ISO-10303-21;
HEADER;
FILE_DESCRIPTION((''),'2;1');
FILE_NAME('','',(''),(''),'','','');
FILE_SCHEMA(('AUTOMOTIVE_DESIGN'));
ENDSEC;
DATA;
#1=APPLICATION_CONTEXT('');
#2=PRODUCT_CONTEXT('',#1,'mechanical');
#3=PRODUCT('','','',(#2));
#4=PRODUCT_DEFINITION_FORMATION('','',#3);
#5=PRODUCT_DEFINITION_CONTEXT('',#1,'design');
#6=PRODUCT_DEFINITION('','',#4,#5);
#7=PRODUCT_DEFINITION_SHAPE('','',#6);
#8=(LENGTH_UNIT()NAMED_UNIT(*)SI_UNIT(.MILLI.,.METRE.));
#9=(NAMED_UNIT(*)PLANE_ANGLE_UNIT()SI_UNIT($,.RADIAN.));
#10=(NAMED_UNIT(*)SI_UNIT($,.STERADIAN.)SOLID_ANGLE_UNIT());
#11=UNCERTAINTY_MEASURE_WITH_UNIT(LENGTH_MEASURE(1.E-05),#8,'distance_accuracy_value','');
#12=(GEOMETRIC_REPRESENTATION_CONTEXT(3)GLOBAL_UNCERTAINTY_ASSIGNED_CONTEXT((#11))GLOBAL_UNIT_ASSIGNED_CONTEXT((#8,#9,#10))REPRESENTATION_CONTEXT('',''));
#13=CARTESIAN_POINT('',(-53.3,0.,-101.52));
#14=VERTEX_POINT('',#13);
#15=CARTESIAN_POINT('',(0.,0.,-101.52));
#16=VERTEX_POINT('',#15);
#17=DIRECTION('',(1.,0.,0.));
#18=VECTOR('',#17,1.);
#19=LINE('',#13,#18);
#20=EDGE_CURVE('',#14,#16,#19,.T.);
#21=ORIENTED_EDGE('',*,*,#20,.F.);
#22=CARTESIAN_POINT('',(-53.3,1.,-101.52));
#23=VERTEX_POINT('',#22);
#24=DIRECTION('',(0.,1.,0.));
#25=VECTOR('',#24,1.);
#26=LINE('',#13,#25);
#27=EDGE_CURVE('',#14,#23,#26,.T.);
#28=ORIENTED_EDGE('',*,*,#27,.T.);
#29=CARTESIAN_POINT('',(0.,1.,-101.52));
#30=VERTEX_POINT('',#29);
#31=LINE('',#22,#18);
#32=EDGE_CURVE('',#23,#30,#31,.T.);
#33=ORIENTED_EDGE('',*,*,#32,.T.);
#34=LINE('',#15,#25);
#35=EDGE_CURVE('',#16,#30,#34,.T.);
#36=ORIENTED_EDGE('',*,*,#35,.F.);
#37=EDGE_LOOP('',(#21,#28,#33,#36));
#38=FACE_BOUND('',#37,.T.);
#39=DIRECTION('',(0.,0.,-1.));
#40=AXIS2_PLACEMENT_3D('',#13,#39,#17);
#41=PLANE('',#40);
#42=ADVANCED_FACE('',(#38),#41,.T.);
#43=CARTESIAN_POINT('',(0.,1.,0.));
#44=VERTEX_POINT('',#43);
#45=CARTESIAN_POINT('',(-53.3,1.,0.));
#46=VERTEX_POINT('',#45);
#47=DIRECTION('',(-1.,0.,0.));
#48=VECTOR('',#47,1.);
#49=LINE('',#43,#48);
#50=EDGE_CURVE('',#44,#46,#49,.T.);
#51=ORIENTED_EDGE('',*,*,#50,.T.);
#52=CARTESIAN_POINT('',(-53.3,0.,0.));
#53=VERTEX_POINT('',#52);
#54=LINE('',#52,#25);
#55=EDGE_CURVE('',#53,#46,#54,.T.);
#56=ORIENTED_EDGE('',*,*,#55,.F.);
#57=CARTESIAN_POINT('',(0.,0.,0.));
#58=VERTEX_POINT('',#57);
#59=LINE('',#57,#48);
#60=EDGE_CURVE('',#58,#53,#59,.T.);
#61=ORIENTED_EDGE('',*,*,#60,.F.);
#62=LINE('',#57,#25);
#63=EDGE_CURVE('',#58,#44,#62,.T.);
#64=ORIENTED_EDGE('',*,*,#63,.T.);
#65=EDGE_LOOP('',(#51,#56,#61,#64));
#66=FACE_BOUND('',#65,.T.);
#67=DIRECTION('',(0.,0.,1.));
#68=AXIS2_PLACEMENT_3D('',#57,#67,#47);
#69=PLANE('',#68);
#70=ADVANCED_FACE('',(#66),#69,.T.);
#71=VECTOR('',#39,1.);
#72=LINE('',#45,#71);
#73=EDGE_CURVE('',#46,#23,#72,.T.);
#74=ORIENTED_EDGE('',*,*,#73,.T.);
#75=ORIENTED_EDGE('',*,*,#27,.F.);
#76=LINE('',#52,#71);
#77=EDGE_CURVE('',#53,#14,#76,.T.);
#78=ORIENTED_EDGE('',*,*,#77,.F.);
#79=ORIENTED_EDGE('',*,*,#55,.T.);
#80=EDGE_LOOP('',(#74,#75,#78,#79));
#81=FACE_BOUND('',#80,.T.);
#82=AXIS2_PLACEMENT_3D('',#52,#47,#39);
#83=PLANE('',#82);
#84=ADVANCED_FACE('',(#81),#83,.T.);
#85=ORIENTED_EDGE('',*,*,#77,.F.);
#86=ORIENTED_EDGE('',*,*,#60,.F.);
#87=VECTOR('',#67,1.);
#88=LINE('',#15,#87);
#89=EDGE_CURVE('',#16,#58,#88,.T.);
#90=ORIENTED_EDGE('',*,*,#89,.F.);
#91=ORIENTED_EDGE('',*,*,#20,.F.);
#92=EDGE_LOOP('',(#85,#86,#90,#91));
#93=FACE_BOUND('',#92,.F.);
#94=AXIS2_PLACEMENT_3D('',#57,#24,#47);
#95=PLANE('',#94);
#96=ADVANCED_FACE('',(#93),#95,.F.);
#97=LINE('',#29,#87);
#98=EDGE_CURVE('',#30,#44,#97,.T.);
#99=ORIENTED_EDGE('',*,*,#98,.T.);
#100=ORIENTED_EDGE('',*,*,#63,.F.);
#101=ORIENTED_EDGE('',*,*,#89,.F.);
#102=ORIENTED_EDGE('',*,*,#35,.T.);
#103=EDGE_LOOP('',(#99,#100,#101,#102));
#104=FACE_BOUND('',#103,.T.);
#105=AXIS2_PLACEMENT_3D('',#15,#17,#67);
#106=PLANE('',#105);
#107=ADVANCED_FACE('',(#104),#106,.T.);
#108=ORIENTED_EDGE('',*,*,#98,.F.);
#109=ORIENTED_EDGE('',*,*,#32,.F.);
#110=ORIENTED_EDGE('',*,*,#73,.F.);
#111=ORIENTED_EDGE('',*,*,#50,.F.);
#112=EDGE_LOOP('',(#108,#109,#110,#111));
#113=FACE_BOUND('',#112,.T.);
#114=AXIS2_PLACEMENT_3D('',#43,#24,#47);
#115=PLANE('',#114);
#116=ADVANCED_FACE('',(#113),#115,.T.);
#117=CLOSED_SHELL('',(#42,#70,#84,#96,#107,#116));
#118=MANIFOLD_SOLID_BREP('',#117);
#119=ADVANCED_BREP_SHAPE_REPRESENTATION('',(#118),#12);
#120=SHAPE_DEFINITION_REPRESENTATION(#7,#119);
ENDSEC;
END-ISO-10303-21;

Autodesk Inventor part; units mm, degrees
ref_plane "YZ Plane" through (0, 0, 0) normal (1, 0, 0) x (0, 1, 0)
ref_plane "XZ Plane" through (0, 0, 0) normal (0, 1, 0) x (-1, 0, 0)
ref_plane "XY Plane" through (0, 0, 0) normal (0, 0, 1) x (1, 0, 0)
sketch "Sketch1" plane through (0, 0, 0) normal (0, 1, 0) x (-1, 0, 0)
  line L0 (0, 0) -> (53.3, 0)
  line L1 (53.3, 0) -> (53.3, -101.52)
  line L2 (53.3, -101.52) -> (0, -101.52)
  line L3 (0, -101.52) -> (0, 0)
  dimension "d0" = 101.52
  dimension "d1" = 53.3
extrude "Extrusion1" add sketch "Sketch1" along normal blind 1
properties part number "Mega"
